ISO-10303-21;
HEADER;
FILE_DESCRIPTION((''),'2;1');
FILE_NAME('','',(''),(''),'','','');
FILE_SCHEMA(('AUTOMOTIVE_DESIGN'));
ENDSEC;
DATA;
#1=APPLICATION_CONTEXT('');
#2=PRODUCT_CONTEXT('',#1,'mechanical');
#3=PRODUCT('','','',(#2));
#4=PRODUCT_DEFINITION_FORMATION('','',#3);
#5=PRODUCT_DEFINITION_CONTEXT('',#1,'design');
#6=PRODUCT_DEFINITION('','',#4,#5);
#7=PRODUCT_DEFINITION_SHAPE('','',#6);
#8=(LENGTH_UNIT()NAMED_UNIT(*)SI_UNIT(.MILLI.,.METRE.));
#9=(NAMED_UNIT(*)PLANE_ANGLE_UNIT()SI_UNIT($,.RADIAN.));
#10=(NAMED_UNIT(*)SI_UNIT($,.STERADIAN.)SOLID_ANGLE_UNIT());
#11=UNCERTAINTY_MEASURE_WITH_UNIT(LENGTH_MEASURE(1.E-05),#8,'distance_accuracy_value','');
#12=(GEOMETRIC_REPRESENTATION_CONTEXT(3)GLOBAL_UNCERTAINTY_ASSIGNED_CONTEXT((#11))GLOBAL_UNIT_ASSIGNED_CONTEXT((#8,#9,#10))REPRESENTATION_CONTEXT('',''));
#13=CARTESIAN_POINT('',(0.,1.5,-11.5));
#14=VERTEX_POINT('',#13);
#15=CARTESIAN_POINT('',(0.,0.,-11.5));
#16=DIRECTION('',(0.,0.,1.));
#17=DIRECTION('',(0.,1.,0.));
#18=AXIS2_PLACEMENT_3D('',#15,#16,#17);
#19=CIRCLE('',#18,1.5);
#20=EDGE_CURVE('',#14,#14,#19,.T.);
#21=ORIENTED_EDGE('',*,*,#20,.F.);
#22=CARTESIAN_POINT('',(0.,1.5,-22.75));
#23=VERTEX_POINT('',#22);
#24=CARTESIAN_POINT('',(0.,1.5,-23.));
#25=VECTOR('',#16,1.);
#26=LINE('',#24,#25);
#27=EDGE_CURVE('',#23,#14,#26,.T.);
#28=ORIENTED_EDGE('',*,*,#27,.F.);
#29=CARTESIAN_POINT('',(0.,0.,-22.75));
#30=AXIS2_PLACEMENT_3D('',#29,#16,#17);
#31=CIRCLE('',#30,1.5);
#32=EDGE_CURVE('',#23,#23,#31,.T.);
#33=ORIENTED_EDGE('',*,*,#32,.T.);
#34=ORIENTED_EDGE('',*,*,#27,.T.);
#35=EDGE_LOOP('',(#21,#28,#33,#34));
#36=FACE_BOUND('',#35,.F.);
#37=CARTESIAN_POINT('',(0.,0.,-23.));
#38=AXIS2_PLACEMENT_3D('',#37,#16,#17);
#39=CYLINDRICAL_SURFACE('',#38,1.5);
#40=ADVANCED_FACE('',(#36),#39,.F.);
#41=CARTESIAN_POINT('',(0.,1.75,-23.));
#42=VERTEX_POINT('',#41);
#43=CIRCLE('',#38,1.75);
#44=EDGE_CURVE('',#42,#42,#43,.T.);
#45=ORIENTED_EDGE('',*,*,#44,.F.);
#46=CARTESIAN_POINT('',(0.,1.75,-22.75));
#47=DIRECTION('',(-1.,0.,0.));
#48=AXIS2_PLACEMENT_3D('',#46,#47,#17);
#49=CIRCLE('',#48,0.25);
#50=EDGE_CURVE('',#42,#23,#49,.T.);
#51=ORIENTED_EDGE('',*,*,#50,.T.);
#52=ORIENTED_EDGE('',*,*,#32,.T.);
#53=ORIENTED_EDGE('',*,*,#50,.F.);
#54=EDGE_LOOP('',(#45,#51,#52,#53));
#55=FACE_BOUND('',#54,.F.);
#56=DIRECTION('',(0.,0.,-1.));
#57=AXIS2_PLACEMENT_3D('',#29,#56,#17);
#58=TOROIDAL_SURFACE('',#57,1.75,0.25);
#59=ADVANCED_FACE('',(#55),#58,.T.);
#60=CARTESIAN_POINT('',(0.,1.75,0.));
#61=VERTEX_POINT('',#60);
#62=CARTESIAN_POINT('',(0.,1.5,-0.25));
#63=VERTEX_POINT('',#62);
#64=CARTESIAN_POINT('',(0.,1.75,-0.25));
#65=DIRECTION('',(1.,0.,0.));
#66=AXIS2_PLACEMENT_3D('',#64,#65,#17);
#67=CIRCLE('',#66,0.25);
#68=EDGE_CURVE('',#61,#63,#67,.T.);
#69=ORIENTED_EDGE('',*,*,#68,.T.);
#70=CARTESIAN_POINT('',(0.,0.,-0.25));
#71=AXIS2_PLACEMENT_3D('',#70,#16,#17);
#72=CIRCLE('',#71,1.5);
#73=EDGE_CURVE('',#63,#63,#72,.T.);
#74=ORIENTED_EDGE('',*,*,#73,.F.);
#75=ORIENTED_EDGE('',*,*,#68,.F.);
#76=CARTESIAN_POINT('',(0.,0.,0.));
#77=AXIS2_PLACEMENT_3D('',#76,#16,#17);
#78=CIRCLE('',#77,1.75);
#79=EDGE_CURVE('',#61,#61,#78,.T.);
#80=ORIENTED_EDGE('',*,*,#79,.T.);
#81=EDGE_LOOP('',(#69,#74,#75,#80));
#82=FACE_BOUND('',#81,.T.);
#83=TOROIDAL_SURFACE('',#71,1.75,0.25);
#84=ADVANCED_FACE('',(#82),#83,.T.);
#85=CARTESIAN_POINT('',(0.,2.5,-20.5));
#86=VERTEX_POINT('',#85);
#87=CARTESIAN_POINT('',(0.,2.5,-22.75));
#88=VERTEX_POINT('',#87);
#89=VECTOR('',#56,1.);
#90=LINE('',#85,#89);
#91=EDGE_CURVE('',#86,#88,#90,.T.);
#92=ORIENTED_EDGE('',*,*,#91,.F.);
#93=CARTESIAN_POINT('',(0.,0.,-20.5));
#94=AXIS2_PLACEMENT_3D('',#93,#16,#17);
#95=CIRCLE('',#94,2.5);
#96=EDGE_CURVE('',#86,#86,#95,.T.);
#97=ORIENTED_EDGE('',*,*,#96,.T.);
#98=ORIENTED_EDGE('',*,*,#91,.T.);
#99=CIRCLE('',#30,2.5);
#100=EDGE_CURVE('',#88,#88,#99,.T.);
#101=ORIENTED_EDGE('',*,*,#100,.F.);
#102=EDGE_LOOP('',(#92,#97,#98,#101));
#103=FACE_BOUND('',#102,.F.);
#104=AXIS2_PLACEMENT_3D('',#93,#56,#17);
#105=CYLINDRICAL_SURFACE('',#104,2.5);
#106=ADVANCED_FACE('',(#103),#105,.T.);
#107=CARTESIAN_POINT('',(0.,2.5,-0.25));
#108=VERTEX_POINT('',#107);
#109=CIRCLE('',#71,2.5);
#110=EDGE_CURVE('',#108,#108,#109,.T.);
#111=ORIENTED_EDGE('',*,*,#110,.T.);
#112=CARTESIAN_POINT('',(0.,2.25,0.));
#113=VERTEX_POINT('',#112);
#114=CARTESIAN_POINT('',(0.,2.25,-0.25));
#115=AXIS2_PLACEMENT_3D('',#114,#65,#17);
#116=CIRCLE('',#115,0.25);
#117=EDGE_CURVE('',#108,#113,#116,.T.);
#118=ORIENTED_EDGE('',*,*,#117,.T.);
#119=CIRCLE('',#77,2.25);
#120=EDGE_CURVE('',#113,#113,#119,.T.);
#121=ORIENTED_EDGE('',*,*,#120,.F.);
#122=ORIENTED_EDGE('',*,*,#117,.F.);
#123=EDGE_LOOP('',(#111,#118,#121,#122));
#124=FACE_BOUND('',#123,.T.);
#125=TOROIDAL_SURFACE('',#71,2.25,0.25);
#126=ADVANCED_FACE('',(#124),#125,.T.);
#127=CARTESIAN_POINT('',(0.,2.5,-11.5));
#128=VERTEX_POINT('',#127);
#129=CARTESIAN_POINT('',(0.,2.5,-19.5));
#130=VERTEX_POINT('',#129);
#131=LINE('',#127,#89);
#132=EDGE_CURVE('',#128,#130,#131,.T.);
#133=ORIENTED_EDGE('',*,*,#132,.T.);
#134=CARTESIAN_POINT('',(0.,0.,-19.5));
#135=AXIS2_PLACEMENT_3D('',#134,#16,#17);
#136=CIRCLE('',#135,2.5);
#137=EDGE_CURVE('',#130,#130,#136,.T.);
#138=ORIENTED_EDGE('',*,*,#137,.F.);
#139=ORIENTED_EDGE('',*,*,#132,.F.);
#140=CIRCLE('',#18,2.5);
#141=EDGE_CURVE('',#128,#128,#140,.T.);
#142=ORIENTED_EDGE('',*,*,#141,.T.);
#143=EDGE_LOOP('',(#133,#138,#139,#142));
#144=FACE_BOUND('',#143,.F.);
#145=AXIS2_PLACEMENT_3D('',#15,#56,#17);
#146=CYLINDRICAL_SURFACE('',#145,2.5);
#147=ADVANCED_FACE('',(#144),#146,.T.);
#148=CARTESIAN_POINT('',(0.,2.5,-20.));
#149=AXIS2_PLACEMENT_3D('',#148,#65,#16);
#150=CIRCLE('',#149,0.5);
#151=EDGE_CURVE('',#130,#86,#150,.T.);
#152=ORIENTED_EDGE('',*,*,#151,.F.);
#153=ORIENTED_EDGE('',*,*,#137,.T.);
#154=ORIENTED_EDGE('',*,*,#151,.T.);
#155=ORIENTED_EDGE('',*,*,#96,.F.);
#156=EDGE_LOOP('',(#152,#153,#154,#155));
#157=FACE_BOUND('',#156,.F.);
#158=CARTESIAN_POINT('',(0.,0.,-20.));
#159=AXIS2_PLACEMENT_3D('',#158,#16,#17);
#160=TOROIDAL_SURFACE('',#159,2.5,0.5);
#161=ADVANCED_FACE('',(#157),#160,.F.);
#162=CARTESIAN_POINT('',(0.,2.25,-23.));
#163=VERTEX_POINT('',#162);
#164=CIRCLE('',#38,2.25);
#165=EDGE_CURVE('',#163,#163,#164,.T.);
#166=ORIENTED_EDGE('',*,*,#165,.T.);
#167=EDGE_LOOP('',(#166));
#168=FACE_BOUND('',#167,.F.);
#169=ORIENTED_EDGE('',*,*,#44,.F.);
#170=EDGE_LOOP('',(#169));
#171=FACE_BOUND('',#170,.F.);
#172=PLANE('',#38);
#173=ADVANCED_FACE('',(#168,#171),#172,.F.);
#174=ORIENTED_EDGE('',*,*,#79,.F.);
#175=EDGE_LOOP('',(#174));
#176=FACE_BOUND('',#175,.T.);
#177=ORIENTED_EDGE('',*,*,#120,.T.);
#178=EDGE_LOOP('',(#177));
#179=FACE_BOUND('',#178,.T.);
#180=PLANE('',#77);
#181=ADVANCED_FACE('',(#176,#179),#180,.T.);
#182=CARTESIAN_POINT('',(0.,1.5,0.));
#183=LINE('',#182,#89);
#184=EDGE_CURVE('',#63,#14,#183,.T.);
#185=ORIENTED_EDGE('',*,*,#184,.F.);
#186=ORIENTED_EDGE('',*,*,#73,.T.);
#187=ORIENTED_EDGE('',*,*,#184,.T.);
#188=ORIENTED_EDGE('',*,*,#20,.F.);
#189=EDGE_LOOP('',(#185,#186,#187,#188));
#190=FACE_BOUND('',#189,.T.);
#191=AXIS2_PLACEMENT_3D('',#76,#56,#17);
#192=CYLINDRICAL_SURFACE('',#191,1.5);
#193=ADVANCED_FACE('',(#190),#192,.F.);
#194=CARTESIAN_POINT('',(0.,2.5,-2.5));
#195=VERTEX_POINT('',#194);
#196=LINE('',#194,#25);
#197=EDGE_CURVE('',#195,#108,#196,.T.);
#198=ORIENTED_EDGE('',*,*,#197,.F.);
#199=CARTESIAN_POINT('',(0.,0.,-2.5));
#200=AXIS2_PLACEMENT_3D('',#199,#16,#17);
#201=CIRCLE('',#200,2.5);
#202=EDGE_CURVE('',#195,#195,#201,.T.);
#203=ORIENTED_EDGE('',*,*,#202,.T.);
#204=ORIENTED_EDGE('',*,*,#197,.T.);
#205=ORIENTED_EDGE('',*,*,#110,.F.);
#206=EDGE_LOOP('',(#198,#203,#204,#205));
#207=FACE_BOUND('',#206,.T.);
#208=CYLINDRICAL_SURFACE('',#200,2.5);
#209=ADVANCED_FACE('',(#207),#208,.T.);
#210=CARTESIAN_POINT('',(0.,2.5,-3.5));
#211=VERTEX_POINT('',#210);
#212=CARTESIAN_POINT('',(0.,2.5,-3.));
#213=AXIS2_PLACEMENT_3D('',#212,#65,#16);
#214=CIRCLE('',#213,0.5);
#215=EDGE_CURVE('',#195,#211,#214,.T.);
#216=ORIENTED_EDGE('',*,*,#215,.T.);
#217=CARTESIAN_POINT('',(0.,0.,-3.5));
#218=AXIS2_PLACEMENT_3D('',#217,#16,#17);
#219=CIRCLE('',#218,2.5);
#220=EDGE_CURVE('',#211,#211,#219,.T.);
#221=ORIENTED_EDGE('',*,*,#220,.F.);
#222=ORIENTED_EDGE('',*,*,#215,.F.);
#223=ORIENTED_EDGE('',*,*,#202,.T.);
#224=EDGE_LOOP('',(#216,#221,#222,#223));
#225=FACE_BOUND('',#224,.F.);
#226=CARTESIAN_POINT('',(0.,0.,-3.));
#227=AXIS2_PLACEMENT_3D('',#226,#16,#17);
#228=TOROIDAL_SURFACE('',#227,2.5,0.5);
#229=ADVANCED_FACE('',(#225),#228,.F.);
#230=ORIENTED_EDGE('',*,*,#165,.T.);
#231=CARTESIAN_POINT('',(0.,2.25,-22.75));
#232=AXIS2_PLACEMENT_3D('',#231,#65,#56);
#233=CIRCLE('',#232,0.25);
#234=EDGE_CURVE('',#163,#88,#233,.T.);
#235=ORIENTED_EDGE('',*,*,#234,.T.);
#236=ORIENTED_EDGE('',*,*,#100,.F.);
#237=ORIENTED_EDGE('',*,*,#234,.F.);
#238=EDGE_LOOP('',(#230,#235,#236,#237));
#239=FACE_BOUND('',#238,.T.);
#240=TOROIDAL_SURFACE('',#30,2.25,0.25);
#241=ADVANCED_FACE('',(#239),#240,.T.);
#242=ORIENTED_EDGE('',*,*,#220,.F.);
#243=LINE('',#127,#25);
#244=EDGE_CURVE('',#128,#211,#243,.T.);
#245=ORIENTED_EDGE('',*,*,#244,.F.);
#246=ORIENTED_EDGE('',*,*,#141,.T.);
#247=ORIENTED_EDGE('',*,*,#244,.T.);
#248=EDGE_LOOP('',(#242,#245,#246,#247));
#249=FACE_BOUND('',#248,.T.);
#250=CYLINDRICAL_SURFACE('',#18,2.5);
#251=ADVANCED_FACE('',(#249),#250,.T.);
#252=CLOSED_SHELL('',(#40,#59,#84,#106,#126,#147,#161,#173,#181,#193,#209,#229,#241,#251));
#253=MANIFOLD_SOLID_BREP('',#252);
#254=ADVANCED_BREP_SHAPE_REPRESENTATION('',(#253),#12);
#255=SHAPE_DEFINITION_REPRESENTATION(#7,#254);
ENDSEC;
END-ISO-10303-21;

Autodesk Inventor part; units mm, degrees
ref_plane "YZ Plane" through (0, 0, 0) normal (1, 0, 0) x (0, 1, 0)
ref_plane "XZ Plane" through (0, 0, 0) normal (0, 1, 0) x (-1, 0, 0)
ref_plane "XY Plane" through (0, 0, 0) normal (0, 0, 1) x (1, 0, 0)
sketch "Sketch1" plane through (0, 0, 0) normal (1, 0, 0) x (0, 1, 0)
  line L0 (0, 0) -> (0, -27.6453) construction
  line L1 (1.5, 0) -> (1.5, -11.5)
  line L2 (2.25, 0) -> (1.5, 0)
  arc A0 (2.5, -2.5) -> (2.5, -3.5) centre (2.5, -3) ccw
  line L3 (0, 0) -> (10.0223, 0) construction
  arc A1 (2.5, -0.25) -> (2.25, 0) centre (2.25, -0.25) ccw
  line L4 (2.5, -11.5) -> (2.5, -3.5)
  line L5 (2.5, -2.5) -> (2.5, -0.25)
  line L6 (1.5, -11.5) -> (14.7413, -11.5) construction
  line L7 (0, -23) -> (0, 4.6453) construction
  line L8 (1.5, -23) -> (1.5, -11.5)
  line L9 (2.25, -23) -> (1.5, -23)
  arc A2 (2.5, -19.5) -> (2.5, -20.5) centre (2.5, -20) ccw
  line L10 (0, -23) -> (10.0223, -23) construction
  arc A3 (2.25, -23) -> (2.5, -22.75) centre (2.25, -22.75) ccw
  line L11 (2.5, -11.5) -> (2.5, -19.5)
  line L12 (2.5, -20.5) -> (2.5, -22.75)
  point P0 (2.5, 0)
  point P1 (1.875, 0)
  point P2 (2.5, -23)
  dimension "d2" = 1.5
  dimension "d3" = 3
  dimension "d4" = 1
  dimension "d5" = 0.25
  dimension "d6" = 2.25
  dimension "d7" = 1
  dimension "d8" = 23
revolve "Revolution1" add sketch "Sketch1" angle 360 about axis through (0, 0, -23) along (0, 0, 1)
fillet "Fillet1" radius 0.25 2 edges at (0, -1.5, 0) (0, -1.5, -23)
ref_plane "Work Plane1" through (0, 0, -11.5) normal (0, 0, -1) x (-1, 0, 0)
properties part number "Component 12 (Piston Axis)"
